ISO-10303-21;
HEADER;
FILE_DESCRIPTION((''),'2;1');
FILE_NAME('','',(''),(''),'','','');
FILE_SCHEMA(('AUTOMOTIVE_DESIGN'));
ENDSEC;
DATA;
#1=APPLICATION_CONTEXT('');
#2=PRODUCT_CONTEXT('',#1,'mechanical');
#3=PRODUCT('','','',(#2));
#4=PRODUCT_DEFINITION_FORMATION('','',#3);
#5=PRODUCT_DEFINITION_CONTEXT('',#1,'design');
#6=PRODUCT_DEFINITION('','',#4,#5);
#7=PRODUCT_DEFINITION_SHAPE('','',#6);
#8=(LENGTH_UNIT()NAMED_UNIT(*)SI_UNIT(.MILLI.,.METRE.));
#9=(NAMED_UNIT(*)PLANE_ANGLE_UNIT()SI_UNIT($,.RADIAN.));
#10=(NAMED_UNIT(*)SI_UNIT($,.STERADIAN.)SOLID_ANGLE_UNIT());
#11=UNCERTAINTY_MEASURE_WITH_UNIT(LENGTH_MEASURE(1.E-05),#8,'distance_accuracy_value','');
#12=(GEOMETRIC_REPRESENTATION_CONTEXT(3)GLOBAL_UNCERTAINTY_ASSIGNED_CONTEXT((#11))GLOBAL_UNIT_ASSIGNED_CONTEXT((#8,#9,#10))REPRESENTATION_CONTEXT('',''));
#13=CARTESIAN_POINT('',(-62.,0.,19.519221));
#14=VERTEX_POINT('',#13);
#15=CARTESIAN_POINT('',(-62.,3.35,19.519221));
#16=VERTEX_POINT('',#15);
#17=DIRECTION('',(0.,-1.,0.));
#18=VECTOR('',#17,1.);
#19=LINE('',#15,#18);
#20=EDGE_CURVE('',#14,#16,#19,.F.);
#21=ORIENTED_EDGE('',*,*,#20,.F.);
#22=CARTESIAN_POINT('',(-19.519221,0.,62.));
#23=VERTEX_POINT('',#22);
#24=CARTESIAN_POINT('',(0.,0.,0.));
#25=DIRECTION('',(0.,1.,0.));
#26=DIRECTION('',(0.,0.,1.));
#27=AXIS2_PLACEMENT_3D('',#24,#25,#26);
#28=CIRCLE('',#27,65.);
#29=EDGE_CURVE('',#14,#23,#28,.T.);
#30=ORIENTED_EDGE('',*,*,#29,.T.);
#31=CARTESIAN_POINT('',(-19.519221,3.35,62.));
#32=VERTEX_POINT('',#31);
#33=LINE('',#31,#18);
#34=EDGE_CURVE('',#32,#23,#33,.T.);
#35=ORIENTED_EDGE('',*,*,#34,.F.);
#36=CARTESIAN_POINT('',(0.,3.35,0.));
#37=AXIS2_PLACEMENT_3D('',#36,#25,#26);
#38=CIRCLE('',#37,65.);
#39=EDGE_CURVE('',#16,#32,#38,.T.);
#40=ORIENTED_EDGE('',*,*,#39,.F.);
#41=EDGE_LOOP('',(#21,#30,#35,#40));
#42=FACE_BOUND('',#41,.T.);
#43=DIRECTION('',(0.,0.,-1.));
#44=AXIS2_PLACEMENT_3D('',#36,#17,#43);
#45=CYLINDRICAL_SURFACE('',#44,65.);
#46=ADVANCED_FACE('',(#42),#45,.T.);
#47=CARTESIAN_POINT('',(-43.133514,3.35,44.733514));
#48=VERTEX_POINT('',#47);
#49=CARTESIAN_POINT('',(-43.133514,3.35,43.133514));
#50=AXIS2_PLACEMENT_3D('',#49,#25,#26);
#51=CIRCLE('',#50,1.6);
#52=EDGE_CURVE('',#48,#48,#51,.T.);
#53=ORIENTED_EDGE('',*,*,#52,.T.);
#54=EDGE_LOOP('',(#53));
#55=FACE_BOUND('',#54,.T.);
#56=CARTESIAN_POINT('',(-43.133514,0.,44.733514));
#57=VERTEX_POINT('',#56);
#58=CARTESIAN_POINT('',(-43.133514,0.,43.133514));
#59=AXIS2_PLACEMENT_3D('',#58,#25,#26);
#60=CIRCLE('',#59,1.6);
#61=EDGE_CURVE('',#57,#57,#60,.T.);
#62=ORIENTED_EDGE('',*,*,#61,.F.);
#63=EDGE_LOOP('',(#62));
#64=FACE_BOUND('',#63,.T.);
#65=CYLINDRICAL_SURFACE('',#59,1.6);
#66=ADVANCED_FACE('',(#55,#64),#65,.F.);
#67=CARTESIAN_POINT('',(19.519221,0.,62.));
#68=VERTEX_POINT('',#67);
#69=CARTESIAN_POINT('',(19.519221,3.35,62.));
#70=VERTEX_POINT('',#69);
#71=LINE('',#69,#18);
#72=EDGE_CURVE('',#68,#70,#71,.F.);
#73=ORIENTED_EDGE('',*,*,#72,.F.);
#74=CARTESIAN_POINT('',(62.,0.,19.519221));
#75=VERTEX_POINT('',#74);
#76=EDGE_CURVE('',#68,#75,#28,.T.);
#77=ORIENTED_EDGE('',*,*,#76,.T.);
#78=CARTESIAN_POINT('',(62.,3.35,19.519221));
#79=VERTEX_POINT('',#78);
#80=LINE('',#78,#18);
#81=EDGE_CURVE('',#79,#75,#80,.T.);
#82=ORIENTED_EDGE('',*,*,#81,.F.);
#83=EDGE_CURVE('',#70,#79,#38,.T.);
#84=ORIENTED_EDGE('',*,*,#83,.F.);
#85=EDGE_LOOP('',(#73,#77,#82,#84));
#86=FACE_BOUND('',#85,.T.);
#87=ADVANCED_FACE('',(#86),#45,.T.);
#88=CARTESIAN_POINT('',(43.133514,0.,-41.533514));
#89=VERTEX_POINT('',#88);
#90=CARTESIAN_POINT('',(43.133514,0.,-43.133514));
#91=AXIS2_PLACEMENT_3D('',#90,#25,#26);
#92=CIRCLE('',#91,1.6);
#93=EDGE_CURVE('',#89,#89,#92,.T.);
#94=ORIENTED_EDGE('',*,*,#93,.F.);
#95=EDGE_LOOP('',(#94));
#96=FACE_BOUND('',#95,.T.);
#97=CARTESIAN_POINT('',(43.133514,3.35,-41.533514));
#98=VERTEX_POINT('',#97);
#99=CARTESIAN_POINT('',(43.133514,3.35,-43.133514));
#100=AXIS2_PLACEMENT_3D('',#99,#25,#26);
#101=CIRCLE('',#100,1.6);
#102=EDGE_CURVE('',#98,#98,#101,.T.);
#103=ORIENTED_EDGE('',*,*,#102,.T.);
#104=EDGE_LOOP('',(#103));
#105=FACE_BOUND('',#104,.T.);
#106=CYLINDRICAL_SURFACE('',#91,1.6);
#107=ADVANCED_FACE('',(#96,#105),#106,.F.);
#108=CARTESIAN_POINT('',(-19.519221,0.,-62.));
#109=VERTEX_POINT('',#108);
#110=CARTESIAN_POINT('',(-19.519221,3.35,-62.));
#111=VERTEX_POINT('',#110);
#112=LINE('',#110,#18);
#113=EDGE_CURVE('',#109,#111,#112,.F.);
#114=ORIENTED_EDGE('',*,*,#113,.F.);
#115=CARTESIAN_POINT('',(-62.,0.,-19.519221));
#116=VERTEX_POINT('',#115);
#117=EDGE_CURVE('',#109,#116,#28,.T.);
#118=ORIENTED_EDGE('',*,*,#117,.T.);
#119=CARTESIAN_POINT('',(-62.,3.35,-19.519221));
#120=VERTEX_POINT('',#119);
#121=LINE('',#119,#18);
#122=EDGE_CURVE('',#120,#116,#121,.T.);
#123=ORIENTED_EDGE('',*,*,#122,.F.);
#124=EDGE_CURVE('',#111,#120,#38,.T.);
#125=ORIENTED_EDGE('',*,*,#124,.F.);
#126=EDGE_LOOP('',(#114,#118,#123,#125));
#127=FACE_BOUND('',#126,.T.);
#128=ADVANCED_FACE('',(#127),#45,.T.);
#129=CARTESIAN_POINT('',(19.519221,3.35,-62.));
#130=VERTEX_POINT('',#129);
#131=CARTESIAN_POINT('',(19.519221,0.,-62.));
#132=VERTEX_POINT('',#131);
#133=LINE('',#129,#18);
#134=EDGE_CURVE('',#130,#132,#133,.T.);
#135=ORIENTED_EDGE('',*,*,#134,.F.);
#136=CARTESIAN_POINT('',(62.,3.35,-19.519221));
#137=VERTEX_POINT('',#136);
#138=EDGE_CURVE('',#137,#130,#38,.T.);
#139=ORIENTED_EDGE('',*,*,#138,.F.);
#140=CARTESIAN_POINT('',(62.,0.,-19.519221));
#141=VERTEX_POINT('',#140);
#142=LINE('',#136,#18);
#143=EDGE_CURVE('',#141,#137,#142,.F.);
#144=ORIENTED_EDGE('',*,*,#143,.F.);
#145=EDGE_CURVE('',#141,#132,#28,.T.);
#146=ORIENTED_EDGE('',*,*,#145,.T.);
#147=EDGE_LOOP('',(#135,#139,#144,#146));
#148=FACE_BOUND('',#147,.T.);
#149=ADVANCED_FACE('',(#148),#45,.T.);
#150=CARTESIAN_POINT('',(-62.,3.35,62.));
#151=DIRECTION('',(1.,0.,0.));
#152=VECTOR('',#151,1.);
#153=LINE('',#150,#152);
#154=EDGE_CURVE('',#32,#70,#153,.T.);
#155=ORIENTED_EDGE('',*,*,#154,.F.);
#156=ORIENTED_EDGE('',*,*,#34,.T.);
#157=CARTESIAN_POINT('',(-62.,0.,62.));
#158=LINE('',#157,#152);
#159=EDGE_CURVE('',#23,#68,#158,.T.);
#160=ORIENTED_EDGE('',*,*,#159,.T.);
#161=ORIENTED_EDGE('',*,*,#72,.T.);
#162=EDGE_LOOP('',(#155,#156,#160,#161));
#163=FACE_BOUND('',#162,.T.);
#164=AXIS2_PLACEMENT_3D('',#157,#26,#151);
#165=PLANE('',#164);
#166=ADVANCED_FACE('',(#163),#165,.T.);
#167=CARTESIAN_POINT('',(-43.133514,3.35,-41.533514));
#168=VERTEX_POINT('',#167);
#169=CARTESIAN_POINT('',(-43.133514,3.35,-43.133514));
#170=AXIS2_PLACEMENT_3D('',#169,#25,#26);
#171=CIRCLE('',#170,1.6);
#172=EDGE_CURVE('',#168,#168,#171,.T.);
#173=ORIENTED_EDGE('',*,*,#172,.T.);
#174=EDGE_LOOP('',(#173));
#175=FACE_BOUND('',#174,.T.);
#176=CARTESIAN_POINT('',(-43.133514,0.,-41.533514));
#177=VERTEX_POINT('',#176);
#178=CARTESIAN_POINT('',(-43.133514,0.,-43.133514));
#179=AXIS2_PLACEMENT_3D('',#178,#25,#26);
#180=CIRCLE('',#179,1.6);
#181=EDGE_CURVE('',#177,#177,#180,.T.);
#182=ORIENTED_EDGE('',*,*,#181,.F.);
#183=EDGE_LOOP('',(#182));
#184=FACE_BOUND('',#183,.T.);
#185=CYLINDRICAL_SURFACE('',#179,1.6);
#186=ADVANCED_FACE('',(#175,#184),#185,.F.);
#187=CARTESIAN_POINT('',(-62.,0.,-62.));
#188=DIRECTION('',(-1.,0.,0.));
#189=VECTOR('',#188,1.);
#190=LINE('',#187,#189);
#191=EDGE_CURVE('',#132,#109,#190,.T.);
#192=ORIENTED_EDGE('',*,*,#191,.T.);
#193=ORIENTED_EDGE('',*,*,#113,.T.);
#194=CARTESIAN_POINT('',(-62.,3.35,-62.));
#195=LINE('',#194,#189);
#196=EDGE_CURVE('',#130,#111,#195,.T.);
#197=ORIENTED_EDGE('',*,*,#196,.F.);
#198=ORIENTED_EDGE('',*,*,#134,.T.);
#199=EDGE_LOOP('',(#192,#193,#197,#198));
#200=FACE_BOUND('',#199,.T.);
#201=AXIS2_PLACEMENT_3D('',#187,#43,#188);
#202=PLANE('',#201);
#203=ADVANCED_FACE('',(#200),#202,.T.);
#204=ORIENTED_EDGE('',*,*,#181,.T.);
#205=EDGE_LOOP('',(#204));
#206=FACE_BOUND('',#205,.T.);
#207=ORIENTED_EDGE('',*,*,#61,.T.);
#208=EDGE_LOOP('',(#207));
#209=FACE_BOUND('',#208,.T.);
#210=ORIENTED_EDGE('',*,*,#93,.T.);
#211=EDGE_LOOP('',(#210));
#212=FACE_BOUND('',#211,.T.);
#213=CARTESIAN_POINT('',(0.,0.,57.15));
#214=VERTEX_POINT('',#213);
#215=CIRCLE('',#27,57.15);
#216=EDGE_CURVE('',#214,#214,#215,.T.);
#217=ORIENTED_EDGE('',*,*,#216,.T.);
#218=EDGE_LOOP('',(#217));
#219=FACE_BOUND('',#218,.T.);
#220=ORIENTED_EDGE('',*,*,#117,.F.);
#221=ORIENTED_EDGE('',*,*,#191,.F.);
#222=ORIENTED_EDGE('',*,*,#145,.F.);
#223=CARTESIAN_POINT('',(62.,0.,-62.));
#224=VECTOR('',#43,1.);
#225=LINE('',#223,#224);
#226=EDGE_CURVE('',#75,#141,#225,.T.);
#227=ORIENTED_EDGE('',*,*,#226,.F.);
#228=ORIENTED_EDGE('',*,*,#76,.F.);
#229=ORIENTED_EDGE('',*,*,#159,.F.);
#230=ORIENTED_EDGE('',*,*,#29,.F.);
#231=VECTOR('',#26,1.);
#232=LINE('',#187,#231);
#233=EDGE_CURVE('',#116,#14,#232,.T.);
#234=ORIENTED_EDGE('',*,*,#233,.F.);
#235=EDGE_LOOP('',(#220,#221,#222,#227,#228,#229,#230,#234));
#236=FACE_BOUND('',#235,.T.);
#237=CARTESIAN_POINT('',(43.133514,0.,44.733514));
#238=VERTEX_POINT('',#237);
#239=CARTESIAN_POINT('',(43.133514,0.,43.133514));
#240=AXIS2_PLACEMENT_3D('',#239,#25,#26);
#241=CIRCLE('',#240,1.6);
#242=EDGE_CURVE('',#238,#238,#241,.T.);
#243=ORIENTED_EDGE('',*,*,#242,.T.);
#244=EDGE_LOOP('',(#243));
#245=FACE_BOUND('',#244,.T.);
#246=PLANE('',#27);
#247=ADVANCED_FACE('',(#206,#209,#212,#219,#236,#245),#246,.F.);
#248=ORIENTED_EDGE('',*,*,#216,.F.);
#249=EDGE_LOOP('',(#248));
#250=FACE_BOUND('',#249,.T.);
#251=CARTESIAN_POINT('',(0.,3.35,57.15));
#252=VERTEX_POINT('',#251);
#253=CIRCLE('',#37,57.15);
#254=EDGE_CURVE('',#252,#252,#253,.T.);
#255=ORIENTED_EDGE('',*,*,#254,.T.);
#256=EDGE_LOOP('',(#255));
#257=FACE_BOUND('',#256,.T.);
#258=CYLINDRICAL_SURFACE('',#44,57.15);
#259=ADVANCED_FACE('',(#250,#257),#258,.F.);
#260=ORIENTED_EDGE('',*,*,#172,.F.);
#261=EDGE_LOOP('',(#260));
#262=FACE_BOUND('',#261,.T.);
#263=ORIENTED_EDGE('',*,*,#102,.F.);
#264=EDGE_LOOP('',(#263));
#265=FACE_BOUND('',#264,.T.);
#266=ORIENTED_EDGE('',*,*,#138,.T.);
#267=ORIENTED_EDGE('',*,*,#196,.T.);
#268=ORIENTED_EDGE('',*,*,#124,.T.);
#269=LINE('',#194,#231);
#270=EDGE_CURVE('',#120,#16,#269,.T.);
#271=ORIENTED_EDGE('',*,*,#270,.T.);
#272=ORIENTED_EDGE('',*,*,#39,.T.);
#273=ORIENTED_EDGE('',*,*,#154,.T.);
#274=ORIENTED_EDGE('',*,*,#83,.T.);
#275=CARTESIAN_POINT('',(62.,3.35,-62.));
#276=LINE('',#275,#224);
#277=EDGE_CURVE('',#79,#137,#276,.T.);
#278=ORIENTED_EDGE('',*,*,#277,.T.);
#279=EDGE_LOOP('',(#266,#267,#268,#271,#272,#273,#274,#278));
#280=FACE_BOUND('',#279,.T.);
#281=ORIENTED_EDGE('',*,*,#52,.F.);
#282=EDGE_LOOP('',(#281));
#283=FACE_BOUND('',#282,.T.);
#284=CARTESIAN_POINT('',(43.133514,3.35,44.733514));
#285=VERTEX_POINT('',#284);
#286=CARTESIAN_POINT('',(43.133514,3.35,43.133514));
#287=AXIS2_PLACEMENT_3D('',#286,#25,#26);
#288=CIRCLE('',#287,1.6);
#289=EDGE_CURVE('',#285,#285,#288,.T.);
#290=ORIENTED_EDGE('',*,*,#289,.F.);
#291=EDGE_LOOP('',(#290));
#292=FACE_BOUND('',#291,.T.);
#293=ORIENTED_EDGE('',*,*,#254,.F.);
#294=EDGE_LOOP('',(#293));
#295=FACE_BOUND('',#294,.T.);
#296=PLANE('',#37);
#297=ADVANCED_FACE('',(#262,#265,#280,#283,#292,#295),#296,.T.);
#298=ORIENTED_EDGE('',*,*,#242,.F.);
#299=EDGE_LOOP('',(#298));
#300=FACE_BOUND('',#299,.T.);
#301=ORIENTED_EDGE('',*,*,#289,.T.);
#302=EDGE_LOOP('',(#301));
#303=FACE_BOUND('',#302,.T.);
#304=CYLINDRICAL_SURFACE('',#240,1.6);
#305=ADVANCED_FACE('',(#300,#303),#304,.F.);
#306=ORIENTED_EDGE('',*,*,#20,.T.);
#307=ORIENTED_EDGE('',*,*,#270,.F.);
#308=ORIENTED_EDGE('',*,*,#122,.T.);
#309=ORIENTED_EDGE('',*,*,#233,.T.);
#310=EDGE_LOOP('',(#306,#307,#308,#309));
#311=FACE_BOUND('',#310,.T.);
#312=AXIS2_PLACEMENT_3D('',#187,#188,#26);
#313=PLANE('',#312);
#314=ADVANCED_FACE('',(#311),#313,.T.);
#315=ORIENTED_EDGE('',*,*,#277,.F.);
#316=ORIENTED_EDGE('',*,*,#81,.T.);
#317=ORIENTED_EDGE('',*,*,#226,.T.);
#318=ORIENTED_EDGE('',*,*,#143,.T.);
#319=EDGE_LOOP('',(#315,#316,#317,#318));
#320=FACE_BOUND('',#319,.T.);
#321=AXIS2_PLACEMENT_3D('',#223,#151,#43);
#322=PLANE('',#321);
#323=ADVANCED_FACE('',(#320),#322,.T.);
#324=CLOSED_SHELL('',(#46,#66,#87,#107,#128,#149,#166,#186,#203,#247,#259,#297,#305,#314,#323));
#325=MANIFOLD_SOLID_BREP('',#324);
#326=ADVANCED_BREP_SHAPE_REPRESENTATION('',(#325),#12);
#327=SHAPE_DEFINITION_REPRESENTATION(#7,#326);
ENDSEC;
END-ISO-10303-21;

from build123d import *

# Parameters (mm, degrees)
SKETCH_1_R          = 65
SKETCH_1_R_2        = 57.15
EXTRUDE_1_DEPTH     = 3.35
SKETCH_2_W          = 162.249174321
SKETCH_2_H          = 152.83985105
SKETCH_2_W_2        = 124
SKETCH_2_H_2        = 124
CUT_EXTRUDE_1_DEPTH = 3.35
SKETCH_3_R          = 1.6
CUT_EXTRUDE_2_DEPTH = 3.35


with BuildPart() as part:
    # 草图1 → 凸台-拉伸1 (new body)
    with BuildSketch(Plane(origin=(0, 0, 0), x_dir=(1, 0, 0), z_dir=(0, 1, 0))):
        with Locations(Location((0, 0, 0), (0, 0, 270))):
            Circle(SKETCH_1_R)
        with Locations(Location((0, 0, 0), (0, 0, 270))):
            Circle(SKETCH_1_R_2, mode=Mode.SUBTRACT)
    extrude(amount=EXTRUDE_1_DEPTH)

    # 草图2 → 切除-拉伸1 (cut)
    with BuildSketch(Plane(origin=(0, 3.35, 0), x_dir=(1, 0, 0), z_dir=(0, 1, 0))):
        with Locations((0.017137102, 0)):
            Rectangle(SKETCH_2_W, SKETCH_2_H)
        Rectangle(SKETCH_2_W_2, SKETCH_2_H_2, mode=Mode.SUBTRACT)
    extrude(amount=-CUT_EXTRUDE_1_DEPTH, mode=Mode.SUBTRACT)

    # 草图3 → 切除-拉伸2 (cut)
    with BuildSketch(Plane(origin=(0, 3.35, 0), x_dir=(1, 0, 0), z_dir=(0, 1, 0))):
        with Locations(Location((43.133513652, -43.133513652, 0), (0, 0, 270))):
            Circle(SKETCH_3_R)
        with Locations(Location((-43.133513652, -43.133513652, 0), (0, 0, 270))):
            Circle(SKETCH_3_R)
        with Locations(Location((-43.133513652, 43.133513652, 0), (0, 0, 270))):
            Circle(SKETCH_3_R)
        with Locations(Location((43.133513652, 43.133513652, 0), (0, 0, 270))):
            Circle(SKETCH_3_R)
    extrude(amount=-CUT_EXTRUDE_2_DEPTH, mode=Mode.SUBTRACT)


solid = part.part
